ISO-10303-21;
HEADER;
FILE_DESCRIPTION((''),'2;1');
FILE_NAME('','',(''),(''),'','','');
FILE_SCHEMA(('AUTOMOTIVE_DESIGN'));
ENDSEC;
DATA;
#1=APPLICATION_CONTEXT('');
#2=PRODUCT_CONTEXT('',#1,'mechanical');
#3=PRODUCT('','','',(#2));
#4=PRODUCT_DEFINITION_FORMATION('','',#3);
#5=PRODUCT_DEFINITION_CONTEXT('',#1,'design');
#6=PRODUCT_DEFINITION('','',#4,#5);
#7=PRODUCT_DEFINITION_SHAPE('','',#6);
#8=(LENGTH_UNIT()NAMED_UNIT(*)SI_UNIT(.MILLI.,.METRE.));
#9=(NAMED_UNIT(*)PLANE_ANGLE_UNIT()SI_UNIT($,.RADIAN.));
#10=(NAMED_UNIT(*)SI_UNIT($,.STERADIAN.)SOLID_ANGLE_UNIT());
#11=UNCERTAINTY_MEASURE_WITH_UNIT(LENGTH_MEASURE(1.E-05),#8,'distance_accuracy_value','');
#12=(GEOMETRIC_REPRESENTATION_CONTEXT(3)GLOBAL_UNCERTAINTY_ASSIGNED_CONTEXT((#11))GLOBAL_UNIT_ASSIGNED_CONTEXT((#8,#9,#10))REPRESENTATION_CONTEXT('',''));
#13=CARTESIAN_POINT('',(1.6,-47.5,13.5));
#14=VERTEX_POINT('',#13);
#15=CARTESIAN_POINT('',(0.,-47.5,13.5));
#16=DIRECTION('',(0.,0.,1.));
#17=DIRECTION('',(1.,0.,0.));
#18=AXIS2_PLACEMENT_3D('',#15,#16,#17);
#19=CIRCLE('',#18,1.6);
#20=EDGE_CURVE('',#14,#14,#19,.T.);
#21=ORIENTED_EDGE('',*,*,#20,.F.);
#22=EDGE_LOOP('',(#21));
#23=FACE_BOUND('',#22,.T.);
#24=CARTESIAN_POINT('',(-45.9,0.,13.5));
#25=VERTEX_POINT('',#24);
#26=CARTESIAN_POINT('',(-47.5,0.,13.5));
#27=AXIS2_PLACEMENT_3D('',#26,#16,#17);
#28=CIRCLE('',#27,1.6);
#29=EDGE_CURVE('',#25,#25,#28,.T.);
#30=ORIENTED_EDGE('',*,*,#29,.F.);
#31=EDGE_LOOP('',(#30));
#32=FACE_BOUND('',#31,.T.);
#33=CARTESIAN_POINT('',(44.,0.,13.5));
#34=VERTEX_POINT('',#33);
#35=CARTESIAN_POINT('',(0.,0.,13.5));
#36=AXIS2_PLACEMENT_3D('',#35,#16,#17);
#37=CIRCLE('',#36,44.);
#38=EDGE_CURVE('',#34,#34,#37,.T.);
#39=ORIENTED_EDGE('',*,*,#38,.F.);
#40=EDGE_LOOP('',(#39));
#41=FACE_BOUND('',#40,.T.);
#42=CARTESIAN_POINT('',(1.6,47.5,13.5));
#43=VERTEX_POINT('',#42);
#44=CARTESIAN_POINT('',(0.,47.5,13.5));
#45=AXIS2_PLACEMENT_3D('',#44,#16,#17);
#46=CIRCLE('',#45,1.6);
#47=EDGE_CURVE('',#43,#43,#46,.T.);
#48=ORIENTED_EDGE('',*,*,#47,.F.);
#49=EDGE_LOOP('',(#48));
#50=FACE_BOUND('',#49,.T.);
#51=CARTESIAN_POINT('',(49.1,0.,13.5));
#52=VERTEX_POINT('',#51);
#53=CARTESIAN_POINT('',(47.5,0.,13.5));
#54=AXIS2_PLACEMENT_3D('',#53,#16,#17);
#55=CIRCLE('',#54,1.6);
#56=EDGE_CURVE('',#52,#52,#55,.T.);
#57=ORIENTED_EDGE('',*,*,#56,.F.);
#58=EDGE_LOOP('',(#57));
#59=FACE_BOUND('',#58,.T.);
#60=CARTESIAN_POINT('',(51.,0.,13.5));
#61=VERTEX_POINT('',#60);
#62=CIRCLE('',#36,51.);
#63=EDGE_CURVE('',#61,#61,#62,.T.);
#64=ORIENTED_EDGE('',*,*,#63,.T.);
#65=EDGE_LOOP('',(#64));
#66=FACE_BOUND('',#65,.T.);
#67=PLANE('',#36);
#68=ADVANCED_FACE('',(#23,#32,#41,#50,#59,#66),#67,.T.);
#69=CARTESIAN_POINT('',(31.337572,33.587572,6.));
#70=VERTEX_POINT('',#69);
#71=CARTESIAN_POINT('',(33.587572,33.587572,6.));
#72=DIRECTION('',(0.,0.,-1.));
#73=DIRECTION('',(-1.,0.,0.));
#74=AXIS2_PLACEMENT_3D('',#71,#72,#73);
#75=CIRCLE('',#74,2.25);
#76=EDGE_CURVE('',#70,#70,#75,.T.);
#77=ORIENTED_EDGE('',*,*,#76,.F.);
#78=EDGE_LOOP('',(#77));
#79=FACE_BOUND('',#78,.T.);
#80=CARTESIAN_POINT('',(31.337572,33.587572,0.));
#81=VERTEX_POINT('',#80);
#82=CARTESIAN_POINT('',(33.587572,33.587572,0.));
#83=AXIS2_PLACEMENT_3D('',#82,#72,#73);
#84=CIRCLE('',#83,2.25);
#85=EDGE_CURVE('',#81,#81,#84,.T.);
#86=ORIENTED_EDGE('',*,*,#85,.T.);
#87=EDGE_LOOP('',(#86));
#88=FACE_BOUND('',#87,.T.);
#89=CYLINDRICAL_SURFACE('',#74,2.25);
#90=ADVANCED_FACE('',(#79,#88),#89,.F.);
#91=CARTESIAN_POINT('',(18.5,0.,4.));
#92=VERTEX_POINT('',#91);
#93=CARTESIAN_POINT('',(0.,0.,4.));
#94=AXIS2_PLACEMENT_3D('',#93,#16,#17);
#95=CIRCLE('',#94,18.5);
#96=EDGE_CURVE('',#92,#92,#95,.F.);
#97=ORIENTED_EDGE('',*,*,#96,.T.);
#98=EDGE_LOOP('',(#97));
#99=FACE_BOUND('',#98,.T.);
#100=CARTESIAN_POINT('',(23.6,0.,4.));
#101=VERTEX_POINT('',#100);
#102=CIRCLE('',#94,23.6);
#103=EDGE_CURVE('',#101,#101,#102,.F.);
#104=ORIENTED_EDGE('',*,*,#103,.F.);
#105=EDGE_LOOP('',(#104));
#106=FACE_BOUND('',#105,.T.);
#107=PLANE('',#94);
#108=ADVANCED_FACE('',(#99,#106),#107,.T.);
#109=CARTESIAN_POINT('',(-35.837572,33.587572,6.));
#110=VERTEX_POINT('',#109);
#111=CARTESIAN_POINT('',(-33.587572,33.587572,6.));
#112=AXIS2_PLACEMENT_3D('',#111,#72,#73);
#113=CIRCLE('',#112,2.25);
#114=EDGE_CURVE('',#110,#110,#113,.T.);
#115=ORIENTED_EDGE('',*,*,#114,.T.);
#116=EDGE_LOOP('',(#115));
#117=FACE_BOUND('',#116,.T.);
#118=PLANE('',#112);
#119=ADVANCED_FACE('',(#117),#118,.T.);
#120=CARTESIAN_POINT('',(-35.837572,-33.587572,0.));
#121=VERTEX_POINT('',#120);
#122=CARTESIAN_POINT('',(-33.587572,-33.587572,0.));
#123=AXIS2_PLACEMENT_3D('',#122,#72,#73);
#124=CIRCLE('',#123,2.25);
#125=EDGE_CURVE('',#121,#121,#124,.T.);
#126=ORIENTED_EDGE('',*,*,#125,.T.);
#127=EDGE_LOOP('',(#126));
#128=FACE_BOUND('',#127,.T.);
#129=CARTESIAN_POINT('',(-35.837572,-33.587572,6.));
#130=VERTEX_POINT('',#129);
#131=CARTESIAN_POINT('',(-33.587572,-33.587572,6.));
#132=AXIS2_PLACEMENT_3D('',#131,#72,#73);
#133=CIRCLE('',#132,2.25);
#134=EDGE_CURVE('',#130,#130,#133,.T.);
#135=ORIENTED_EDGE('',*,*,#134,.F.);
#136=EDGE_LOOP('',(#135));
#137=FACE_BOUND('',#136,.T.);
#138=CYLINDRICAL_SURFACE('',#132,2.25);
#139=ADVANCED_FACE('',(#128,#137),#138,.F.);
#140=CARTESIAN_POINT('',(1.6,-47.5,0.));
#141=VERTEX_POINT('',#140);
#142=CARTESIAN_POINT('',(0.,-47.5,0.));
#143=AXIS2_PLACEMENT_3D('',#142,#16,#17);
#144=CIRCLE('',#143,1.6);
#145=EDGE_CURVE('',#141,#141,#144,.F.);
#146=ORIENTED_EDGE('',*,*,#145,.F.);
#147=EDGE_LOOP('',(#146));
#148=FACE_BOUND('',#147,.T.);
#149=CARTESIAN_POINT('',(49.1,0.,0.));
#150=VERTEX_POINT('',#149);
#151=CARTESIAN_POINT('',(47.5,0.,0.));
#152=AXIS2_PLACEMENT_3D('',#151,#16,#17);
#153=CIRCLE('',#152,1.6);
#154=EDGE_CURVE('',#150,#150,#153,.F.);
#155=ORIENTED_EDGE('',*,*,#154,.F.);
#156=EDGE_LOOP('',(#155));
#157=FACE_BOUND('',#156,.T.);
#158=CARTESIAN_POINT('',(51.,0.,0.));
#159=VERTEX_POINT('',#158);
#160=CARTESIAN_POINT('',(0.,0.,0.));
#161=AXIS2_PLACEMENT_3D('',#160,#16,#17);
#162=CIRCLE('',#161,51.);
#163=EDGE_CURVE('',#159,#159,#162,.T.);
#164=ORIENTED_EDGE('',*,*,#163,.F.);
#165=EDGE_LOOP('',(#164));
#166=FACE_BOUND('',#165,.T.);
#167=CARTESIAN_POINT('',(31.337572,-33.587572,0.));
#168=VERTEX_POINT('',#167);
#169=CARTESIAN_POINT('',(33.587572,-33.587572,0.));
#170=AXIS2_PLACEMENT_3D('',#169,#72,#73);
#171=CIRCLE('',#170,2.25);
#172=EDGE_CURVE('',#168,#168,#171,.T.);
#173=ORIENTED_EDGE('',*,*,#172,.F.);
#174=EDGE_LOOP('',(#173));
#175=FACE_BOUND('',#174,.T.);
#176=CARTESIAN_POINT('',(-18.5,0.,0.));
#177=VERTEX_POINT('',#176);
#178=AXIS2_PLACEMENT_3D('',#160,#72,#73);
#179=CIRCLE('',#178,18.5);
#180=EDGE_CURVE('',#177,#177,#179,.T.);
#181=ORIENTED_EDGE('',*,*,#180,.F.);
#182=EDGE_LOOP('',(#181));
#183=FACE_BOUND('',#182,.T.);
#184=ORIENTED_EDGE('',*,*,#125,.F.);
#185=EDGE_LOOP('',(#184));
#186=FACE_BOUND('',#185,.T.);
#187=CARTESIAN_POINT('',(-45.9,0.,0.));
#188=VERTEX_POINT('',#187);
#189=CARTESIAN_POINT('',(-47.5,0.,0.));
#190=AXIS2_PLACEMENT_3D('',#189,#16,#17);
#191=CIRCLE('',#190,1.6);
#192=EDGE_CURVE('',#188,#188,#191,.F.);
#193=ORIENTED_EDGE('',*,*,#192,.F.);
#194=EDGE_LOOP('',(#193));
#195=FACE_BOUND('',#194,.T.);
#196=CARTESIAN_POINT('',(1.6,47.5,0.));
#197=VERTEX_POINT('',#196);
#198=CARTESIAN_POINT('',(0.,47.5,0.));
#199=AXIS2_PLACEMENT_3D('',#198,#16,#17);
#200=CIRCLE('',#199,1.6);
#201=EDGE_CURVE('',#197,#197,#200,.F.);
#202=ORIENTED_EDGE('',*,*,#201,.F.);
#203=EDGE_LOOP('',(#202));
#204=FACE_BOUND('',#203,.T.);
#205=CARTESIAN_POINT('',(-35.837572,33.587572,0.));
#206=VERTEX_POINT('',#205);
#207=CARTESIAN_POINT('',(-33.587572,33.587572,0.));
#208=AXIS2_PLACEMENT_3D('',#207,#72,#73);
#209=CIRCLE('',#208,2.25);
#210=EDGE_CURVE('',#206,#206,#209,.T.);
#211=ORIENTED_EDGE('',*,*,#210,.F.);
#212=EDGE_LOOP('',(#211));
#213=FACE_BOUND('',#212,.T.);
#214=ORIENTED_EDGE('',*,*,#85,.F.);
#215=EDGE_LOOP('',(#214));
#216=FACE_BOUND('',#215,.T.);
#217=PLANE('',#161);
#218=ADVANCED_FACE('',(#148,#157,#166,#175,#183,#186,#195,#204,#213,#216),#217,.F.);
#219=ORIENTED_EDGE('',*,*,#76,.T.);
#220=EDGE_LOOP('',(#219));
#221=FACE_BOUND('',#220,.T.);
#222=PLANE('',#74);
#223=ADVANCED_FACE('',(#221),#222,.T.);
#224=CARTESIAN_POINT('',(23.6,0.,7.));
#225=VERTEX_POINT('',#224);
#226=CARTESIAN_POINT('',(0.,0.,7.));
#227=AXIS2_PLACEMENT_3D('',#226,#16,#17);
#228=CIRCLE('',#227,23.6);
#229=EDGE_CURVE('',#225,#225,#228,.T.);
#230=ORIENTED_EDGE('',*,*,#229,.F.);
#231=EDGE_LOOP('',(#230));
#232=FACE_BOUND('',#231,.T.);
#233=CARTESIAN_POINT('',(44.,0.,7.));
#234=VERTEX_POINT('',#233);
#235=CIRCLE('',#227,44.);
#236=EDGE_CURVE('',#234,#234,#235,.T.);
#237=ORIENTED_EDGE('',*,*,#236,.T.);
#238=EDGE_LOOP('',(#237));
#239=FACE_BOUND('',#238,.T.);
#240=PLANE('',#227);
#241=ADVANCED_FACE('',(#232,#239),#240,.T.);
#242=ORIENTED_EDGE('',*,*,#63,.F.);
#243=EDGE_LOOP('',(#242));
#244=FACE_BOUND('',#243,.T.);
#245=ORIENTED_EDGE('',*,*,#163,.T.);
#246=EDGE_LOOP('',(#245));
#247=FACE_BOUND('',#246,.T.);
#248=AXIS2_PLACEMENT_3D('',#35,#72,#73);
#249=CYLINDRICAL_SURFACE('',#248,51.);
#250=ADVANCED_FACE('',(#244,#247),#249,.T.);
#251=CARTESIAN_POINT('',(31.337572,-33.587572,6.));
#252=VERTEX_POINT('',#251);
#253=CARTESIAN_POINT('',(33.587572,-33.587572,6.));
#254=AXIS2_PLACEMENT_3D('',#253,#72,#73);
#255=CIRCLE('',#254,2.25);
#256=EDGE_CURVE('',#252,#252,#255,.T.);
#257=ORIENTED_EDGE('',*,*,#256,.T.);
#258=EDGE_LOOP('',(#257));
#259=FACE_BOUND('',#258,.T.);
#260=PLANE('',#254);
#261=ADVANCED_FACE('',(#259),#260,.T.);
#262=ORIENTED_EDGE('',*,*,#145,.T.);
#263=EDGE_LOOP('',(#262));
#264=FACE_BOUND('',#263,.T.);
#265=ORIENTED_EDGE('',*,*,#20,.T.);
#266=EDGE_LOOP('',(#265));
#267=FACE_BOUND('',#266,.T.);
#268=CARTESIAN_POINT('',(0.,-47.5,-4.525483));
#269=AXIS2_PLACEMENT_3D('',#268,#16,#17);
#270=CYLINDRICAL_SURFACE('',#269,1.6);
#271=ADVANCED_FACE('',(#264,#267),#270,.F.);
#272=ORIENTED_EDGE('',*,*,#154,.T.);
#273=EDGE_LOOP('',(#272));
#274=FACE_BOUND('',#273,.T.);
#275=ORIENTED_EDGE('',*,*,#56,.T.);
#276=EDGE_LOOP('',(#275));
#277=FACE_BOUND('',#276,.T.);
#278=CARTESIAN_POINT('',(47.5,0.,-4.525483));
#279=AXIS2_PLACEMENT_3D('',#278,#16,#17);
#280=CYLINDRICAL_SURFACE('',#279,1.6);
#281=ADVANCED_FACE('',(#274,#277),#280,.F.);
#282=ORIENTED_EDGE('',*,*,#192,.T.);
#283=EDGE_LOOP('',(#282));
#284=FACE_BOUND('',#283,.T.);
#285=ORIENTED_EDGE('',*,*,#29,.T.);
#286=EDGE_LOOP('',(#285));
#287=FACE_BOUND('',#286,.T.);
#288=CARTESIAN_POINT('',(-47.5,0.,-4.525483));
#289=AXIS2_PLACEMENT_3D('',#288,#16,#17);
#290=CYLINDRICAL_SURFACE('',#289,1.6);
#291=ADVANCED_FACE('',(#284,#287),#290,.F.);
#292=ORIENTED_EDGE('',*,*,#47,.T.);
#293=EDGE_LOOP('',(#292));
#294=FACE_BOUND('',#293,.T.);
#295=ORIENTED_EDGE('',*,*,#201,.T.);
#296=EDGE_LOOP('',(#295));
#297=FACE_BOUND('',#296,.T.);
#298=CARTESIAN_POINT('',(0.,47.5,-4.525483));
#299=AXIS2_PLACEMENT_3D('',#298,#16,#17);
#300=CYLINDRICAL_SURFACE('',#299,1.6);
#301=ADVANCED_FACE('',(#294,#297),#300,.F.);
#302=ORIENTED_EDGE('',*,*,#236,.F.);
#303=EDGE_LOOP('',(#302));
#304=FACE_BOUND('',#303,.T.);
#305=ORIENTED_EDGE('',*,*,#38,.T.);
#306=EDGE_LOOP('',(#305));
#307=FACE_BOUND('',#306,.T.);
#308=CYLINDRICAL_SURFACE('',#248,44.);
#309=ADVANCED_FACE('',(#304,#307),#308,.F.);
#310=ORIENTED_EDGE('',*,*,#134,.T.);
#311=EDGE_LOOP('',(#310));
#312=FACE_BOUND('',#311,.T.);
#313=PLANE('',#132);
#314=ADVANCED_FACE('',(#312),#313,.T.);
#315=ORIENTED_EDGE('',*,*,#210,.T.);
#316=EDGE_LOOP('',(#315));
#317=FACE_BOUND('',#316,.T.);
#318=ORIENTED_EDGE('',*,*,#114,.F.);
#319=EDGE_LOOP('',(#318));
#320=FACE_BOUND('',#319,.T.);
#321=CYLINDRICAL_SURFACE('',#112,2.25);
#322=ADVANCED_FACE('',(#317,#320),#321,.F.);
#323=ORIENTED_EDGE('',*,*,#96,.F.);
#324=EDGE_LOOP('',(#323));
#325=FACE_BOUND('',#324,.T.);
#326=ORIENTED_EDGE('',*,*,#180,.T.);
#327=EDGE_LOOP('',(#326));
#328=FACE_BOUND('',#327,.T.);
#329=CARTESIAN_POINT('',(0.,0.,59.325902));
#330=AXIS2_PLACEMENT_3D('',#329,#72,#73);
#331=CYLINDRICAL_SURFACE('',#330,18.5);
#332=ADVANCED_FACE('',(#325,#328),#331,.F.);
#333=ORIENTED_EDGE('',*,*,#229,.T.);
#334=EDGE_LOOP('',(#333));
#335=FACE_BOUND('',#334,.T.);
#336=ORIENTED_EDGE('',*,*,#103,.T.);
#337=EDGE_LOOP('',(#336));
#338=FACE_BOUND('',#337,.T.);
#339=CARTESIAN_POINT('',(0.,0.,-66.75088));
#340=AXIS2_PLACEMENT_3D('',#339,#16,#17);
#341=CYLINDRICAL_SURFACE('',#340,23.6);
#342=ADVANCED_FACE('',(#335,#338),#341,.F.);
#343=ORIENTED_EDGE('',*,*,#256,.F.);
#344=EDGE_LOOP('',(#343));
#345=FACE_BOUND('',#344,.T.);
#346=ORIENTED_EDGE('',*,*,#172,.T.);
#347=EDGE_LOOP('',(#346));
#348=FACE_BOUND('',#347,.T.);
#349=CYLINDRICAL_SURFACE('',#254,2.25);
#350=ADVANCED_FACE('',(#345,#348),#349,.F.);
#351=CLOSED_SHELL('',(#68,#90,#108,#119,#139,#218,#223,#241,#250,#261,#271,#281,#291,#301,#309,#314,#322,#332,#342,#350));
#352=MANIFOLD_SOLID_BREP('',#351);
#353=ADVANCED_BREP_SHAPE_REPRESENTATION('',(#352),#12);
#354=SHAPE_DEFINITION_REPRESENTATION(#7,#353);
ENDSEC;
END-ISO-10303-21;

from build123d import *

# Parameters (mm, degrees)
SKETCH1_R           = 51
BOSS_EXTRUDE1_DEPTH = 13.5
SHELL1_T            = -7
SKETCH2_R           = 18.5
CUT_EXTRUDE1_DEPTH  = 7
SKETCH3_R           = 23.6
CUT_EXTRUDE2_DEPTH  = 3
SKETCH5_R           = 1.6
CUT_EXTRUDE3_DEPTH  = 13.5
SKETCH6_R           = 2.25
CUT_EXTRUDE4_DEPTH  = 6


with BuildPart() as part:
    # Sketch1 → Boss-Extrude1 (new body)
    with BuildSketch(Plane.XY):
        Circle(SKETCH1_R)
    extrude(amount=BOSS_EXTRUDE1_DEPTH)

    # Shell1
    shell1_openings = [part.faces().sort_by_distance(p)[0] for p in [
        (0, 0, 13.5),
    ]]
    offset(amount=SHELL1_T, openings=shell1_openings, kind=Kind.INTERSECTION)

    # Sketch2 → Cut-Extrude1 (cut)
    with BuildSketch(Plane(origin=(0, 0, 0), x_dir=(-1, 0, 0), z_dir=(0, 0, -1))):
        Circle(SKETCH2_R)
    extrude(amount=-CUT_EXTRUDE1_DEPTH, mode=Mode.SUBTRACT)

    # Sketch3 → Cut-Extrude2 (cut)
    with BuildSketch(Plane.XY.offset(7)):
        Circle(SKETCH3_R)
    extrude(amount=-CUT_EXTRUDE2_DEPTH, mode=Mode.SUBTRACT)

    # Sketch5 → Cut-Extrude3 (cut)
    with BuildSketch(Plane.XY.offset(13.5)):
        with Locations((0, 47.5)):
            Circle(SKETCH5_R)
        with Locations((47.5, 0)):
            Circle(SKETCH5_R)
        with Locations((0, -47.5)):
            Circle(SKETCH5_R)
        with Locations((-47.5, 0)):
            Circle(SKETCH5_R)
    extrude(amount=-CUT_EXTRUDE3_DEPTH, mode=Mode.SUBTRACT)

    # Sketch6 → Cut-Extrude4 (cut)
    with BuildSketch(Plane(origin=(0, 0, 0), x_dir=(-1, 0, 0), z_dir=(0, 0, -1))):
        with Locations((-33.587572106, 33.587572106)):
            Circle(SKETCH6_R)
        with Locations((33.587572106, 33.587572106)):
            Circle(SKETCH6_R)
        with Locations((33.587572106, -33.587572106)):
            Circle(SKETCH6_R)
        with Locations((-33.587572106, -33.587572106)):
            Circle(SKETCH6_R)
    extrude(amount=-CUT_EXTRUDE4_DEPTH, mode=Mode.SUBTRACT)


solid = part.part
